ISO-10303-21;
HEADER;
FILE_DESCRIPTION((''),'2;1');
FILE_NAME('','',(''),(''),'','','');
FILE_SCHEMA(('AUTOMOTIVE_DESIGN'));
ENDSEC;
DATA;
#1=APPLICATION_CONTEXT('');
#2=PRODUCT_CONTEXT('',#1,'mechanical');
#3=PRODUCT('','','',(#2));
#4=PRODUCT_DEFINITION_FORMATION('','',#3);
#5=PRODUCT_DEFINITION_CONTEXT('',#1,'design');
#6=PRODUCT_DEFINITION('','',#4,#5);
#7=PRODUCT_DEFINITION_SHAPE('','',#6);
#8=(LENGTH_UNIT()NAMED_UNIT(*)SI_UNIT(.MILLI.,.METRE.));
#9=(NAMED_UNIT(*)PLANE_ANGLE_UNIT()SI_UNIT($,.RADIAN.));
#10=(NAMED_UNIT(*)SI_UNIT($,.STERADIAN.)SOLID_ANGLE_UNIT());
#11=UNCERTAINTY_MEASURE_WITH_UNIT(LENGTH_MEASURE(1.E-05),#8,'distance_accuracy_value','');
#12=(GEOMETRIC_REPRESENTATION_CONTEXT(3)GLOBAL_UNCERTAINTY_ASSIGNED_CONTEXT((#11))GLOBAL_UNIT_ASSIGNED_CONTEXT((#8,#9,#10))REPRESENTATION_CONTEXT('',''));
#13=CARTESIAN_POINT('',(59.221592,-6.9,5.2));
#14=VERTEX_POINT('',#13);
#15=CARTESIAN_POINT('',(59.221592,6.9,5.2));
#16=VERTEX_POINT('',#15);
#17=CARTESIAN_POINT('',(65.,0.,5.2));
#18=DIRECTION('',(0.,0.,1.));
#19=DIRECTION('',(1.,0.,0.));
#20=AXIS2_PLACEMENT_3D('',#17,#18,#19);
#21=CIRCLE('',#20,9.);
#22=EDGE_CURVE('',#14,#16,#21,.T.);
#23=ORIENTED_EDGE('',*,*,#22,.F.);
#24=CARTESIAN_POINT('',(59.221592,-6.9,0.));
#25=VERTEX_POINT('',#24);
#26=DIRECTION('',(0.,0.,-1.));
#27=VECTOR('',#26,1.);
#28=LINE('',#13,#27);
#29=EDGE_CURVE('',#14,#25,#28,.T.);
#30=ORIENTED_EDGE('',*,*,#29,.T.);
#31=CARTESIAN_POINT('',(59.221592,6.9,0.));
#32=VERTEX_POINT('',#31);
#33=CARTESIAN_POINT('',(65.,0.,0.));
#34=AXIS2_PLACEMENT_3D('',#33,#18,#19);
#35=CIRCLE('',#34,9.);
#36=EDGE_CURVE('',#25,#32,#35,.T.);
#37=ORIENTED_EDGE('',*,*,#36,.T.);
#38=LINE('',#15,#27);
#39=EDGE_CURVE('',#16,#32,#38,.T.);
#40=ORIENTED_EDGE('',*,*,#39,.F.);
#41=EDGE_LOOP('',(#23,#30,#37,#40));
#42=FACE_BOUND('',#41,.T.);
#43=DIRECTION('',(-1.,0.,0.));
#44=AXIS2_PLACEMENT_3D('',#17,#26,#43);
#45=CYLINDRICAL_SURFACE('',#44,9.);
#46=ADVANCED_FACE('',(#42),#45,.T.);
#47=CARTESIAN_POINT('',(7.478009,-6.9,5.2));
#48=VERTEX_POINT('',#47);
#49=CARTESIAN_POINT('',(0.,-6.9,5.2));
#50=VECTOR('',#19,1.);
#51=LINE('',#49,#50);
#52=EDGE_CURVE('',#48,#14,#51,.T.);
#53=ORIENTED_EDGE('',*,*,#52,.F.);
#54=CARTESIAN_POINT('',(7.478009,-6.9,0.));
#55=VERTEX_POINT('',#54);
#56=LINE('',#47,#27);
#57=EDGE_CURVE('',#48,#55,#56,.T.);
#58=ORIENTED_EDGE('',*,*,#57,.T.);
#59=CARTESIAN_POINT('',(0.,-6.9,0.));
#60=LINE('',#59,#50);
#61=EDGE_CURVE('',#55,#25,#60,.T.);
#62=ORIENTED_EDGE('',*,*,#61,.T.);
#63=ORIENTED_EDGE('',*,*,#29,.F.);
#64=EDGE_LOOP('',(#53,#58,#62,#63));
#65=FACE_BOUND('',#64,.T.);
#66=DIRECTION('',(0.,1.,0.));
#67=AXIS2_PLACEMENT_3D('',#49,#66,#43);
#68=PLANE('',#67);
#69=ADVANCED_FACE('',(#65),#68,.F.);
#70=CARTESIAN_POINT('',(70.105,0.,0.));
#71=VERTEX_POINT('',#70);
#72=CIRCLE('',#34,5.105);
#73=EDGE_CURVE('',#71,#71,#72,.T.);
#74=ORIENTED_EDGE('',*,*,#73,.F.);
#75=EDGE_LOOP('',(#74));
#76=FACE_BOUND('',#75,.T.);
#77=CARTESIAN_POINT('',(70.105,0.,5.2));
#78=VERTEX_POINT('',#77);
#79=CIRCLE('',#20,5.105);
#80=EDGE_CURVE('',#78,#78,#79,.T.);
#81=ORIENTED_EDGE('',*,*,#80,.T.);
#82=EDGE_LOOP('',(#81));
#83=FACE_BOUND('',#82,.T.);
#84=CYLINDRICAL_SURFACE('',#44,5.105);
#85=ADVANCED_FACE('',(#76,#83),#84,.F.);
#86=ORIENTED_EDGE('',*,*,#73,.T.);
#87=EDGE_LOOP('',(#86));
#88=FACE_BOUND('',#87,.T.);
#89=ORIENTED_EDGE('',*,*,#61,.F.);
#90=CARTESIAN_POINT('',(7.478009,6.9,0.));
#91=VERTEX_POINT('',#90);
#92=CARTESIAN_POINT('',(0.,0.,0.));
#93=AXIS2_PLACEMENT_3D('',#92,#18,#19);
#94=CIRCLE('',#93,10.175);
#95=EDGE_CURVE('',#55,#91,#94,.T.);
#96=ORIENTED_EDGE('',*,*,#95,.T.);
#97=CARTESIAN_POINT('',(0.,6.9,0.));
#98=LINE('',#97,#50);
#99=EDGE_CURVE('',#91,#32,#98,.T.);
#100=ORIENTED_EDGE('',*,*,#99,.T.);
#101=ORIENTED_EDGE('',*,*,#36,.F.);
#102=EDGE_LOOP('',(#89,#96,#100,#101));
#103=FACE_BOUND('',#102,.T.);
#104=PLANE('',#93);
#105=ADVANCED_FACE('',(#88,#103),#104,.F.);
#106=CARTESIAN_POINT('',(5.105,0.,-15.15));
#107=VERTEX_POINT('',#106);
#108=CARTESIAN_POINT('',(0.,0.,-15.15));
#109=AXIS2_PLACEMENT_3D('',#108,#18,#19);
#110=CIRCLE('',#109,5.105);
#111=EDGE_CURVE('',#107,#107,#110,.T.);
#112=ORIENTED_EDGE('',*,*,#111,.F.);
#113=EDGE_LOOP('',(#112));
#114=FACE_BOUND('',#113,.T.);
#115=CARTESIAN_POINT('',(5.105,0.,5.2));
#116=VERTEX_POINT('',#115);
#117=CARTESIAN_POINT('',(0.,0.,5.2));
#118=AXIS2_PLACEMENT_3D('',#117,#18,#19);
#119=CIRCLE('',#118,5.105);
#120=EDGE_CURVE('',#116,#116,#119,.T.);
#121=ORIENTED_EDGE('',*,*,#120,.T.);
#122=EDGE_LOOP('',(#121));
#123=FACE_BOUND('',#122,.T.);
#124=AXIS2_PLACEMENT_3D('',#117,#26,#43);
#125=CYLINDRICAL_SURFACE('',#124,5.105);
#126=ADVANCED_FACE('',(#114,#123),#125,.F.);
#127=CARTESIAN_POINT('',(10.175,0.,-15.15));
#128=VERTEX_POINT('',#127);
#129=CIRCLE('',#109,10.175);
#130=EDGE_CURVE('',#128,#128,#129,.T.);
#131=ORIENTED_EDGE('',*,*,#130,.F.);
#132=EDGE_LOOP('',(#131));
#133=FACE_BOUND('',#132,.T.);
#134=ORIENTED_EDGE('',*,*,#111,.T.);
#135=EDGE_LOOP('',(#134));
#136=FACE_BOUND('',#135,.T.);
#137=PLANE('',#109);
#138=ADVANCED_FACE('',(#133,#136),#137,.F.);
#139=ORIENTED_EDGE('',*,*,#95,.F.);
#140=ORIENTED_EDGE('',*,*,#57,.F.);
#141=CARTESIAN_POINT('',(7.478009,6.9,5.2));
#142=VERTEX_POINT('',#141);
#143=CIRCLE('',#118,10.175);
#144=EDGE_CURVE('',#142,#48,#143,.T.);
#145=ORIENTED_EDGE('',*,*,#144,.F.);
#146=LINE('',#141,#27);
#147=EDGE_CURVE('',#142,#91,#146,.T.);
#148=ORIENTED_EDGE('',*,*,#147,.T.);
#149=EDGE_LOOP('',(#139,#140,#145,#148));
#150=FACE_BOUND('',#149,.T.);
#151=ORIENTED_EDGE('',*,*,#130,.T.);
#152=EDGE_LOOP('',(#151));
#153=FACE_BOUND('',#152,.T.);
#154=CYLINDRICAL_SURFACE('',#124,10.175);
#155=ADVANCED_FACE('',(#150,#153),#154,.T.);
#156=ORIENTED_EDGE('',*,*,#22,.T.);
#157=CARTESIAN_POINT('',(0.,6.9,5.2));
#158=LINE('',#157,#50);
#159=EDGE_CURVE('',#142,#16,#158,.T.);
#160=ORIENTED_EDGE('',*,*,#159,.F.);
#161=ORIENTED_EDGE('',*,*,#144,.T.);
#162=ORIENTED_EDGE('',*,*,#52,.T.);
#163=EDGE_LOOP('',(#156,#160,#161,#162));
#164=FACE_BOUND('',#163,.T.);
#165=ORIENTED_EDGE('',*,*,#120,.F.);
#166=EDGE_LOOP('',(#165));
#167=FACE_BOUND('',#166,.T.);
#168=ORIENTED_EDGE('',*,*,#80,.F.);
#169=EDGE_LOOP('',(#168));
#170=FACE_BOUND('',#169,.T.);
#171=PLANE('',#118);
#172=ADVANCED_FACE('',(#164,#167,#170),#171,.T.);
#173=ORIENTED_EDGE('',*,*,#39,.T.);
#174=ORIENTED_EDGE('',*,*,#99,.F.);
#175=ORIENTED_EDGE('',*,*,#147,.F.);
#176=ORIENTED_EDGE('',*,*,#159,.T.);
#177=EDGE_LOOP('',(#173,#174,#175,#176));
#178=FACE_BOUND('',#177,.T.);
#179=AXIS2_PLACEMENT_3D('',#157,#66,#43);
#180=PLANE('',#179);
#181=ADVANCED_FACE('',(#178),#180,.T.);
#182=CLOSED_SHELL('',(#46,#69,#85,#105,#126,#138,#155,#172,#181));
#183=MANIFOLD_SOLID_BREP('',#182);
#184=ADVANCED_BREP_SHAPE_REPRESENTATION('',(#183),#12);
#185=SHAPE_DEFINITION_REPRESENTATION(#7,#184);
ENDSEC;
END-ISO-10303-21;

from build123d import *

# Parameters (mm, degrees)
CROQUIS1_R              = 5.105
SALIENTE_EXTRUIR1_DEPTH = 5.2
SALIENTE_EXTRUIR2_START = -15.15
CROQUIS1_3_R            = 5.105
SALIENTE_EXTRUIR2_DEPTH = 15.15


with BuildPart() as part:
    # Croquis1 → Saliente-Extruir1 (new body)
    with BuildSketch(Plane.XY):
        with BuildLine():
            Line((59.221591915, 6.9), (7.478009428, 6.9))
            ThreePointArc((7.478009428, 6.9), (-10.175, 0), (7.478009428, -6.9))
            Line((7.478009428, -6.9), (59.221591915, -6.9))
            ThreePointArc((59.221591915, -6.9), (74, 0), (59.221591915, 6.9))
        make_face()
        with Locations((65, 0)):
            Circle(CROQUIS1_R, mode=Mode.SUBTRACT)
        Circle(CROQUIS1_R, mode=Mode.SUBTRACT)
    extrude(amount=SALIENTE_EXTRUIR1_DEPTH)

    # Croquis1<3> → Saliente-Extruir2 (add)
    with BuildSketch(Plane.XY.offset(SALIENTE_EXTRUIR2_START)):
        with BuildLine():
            ThreePointArc((10.175, 0), (9.476797215, 3.704178659), (7.478009428, 6.9))
            ThreePointArc((7.478009428, 6.9), (-10.175, 0), (7.478009428, -6.9))
            ThreePointArc((7.478009428, -6.9), (9.476797215, -3.704178659), (10.175, 0))
        make_face()
        Circle(CROQUIS1_3_R, mode=Mode.SUBTRACT)
    extrude(amount=SALIENTE_EXTRUIR2_DEPTH)


solid = part.part
